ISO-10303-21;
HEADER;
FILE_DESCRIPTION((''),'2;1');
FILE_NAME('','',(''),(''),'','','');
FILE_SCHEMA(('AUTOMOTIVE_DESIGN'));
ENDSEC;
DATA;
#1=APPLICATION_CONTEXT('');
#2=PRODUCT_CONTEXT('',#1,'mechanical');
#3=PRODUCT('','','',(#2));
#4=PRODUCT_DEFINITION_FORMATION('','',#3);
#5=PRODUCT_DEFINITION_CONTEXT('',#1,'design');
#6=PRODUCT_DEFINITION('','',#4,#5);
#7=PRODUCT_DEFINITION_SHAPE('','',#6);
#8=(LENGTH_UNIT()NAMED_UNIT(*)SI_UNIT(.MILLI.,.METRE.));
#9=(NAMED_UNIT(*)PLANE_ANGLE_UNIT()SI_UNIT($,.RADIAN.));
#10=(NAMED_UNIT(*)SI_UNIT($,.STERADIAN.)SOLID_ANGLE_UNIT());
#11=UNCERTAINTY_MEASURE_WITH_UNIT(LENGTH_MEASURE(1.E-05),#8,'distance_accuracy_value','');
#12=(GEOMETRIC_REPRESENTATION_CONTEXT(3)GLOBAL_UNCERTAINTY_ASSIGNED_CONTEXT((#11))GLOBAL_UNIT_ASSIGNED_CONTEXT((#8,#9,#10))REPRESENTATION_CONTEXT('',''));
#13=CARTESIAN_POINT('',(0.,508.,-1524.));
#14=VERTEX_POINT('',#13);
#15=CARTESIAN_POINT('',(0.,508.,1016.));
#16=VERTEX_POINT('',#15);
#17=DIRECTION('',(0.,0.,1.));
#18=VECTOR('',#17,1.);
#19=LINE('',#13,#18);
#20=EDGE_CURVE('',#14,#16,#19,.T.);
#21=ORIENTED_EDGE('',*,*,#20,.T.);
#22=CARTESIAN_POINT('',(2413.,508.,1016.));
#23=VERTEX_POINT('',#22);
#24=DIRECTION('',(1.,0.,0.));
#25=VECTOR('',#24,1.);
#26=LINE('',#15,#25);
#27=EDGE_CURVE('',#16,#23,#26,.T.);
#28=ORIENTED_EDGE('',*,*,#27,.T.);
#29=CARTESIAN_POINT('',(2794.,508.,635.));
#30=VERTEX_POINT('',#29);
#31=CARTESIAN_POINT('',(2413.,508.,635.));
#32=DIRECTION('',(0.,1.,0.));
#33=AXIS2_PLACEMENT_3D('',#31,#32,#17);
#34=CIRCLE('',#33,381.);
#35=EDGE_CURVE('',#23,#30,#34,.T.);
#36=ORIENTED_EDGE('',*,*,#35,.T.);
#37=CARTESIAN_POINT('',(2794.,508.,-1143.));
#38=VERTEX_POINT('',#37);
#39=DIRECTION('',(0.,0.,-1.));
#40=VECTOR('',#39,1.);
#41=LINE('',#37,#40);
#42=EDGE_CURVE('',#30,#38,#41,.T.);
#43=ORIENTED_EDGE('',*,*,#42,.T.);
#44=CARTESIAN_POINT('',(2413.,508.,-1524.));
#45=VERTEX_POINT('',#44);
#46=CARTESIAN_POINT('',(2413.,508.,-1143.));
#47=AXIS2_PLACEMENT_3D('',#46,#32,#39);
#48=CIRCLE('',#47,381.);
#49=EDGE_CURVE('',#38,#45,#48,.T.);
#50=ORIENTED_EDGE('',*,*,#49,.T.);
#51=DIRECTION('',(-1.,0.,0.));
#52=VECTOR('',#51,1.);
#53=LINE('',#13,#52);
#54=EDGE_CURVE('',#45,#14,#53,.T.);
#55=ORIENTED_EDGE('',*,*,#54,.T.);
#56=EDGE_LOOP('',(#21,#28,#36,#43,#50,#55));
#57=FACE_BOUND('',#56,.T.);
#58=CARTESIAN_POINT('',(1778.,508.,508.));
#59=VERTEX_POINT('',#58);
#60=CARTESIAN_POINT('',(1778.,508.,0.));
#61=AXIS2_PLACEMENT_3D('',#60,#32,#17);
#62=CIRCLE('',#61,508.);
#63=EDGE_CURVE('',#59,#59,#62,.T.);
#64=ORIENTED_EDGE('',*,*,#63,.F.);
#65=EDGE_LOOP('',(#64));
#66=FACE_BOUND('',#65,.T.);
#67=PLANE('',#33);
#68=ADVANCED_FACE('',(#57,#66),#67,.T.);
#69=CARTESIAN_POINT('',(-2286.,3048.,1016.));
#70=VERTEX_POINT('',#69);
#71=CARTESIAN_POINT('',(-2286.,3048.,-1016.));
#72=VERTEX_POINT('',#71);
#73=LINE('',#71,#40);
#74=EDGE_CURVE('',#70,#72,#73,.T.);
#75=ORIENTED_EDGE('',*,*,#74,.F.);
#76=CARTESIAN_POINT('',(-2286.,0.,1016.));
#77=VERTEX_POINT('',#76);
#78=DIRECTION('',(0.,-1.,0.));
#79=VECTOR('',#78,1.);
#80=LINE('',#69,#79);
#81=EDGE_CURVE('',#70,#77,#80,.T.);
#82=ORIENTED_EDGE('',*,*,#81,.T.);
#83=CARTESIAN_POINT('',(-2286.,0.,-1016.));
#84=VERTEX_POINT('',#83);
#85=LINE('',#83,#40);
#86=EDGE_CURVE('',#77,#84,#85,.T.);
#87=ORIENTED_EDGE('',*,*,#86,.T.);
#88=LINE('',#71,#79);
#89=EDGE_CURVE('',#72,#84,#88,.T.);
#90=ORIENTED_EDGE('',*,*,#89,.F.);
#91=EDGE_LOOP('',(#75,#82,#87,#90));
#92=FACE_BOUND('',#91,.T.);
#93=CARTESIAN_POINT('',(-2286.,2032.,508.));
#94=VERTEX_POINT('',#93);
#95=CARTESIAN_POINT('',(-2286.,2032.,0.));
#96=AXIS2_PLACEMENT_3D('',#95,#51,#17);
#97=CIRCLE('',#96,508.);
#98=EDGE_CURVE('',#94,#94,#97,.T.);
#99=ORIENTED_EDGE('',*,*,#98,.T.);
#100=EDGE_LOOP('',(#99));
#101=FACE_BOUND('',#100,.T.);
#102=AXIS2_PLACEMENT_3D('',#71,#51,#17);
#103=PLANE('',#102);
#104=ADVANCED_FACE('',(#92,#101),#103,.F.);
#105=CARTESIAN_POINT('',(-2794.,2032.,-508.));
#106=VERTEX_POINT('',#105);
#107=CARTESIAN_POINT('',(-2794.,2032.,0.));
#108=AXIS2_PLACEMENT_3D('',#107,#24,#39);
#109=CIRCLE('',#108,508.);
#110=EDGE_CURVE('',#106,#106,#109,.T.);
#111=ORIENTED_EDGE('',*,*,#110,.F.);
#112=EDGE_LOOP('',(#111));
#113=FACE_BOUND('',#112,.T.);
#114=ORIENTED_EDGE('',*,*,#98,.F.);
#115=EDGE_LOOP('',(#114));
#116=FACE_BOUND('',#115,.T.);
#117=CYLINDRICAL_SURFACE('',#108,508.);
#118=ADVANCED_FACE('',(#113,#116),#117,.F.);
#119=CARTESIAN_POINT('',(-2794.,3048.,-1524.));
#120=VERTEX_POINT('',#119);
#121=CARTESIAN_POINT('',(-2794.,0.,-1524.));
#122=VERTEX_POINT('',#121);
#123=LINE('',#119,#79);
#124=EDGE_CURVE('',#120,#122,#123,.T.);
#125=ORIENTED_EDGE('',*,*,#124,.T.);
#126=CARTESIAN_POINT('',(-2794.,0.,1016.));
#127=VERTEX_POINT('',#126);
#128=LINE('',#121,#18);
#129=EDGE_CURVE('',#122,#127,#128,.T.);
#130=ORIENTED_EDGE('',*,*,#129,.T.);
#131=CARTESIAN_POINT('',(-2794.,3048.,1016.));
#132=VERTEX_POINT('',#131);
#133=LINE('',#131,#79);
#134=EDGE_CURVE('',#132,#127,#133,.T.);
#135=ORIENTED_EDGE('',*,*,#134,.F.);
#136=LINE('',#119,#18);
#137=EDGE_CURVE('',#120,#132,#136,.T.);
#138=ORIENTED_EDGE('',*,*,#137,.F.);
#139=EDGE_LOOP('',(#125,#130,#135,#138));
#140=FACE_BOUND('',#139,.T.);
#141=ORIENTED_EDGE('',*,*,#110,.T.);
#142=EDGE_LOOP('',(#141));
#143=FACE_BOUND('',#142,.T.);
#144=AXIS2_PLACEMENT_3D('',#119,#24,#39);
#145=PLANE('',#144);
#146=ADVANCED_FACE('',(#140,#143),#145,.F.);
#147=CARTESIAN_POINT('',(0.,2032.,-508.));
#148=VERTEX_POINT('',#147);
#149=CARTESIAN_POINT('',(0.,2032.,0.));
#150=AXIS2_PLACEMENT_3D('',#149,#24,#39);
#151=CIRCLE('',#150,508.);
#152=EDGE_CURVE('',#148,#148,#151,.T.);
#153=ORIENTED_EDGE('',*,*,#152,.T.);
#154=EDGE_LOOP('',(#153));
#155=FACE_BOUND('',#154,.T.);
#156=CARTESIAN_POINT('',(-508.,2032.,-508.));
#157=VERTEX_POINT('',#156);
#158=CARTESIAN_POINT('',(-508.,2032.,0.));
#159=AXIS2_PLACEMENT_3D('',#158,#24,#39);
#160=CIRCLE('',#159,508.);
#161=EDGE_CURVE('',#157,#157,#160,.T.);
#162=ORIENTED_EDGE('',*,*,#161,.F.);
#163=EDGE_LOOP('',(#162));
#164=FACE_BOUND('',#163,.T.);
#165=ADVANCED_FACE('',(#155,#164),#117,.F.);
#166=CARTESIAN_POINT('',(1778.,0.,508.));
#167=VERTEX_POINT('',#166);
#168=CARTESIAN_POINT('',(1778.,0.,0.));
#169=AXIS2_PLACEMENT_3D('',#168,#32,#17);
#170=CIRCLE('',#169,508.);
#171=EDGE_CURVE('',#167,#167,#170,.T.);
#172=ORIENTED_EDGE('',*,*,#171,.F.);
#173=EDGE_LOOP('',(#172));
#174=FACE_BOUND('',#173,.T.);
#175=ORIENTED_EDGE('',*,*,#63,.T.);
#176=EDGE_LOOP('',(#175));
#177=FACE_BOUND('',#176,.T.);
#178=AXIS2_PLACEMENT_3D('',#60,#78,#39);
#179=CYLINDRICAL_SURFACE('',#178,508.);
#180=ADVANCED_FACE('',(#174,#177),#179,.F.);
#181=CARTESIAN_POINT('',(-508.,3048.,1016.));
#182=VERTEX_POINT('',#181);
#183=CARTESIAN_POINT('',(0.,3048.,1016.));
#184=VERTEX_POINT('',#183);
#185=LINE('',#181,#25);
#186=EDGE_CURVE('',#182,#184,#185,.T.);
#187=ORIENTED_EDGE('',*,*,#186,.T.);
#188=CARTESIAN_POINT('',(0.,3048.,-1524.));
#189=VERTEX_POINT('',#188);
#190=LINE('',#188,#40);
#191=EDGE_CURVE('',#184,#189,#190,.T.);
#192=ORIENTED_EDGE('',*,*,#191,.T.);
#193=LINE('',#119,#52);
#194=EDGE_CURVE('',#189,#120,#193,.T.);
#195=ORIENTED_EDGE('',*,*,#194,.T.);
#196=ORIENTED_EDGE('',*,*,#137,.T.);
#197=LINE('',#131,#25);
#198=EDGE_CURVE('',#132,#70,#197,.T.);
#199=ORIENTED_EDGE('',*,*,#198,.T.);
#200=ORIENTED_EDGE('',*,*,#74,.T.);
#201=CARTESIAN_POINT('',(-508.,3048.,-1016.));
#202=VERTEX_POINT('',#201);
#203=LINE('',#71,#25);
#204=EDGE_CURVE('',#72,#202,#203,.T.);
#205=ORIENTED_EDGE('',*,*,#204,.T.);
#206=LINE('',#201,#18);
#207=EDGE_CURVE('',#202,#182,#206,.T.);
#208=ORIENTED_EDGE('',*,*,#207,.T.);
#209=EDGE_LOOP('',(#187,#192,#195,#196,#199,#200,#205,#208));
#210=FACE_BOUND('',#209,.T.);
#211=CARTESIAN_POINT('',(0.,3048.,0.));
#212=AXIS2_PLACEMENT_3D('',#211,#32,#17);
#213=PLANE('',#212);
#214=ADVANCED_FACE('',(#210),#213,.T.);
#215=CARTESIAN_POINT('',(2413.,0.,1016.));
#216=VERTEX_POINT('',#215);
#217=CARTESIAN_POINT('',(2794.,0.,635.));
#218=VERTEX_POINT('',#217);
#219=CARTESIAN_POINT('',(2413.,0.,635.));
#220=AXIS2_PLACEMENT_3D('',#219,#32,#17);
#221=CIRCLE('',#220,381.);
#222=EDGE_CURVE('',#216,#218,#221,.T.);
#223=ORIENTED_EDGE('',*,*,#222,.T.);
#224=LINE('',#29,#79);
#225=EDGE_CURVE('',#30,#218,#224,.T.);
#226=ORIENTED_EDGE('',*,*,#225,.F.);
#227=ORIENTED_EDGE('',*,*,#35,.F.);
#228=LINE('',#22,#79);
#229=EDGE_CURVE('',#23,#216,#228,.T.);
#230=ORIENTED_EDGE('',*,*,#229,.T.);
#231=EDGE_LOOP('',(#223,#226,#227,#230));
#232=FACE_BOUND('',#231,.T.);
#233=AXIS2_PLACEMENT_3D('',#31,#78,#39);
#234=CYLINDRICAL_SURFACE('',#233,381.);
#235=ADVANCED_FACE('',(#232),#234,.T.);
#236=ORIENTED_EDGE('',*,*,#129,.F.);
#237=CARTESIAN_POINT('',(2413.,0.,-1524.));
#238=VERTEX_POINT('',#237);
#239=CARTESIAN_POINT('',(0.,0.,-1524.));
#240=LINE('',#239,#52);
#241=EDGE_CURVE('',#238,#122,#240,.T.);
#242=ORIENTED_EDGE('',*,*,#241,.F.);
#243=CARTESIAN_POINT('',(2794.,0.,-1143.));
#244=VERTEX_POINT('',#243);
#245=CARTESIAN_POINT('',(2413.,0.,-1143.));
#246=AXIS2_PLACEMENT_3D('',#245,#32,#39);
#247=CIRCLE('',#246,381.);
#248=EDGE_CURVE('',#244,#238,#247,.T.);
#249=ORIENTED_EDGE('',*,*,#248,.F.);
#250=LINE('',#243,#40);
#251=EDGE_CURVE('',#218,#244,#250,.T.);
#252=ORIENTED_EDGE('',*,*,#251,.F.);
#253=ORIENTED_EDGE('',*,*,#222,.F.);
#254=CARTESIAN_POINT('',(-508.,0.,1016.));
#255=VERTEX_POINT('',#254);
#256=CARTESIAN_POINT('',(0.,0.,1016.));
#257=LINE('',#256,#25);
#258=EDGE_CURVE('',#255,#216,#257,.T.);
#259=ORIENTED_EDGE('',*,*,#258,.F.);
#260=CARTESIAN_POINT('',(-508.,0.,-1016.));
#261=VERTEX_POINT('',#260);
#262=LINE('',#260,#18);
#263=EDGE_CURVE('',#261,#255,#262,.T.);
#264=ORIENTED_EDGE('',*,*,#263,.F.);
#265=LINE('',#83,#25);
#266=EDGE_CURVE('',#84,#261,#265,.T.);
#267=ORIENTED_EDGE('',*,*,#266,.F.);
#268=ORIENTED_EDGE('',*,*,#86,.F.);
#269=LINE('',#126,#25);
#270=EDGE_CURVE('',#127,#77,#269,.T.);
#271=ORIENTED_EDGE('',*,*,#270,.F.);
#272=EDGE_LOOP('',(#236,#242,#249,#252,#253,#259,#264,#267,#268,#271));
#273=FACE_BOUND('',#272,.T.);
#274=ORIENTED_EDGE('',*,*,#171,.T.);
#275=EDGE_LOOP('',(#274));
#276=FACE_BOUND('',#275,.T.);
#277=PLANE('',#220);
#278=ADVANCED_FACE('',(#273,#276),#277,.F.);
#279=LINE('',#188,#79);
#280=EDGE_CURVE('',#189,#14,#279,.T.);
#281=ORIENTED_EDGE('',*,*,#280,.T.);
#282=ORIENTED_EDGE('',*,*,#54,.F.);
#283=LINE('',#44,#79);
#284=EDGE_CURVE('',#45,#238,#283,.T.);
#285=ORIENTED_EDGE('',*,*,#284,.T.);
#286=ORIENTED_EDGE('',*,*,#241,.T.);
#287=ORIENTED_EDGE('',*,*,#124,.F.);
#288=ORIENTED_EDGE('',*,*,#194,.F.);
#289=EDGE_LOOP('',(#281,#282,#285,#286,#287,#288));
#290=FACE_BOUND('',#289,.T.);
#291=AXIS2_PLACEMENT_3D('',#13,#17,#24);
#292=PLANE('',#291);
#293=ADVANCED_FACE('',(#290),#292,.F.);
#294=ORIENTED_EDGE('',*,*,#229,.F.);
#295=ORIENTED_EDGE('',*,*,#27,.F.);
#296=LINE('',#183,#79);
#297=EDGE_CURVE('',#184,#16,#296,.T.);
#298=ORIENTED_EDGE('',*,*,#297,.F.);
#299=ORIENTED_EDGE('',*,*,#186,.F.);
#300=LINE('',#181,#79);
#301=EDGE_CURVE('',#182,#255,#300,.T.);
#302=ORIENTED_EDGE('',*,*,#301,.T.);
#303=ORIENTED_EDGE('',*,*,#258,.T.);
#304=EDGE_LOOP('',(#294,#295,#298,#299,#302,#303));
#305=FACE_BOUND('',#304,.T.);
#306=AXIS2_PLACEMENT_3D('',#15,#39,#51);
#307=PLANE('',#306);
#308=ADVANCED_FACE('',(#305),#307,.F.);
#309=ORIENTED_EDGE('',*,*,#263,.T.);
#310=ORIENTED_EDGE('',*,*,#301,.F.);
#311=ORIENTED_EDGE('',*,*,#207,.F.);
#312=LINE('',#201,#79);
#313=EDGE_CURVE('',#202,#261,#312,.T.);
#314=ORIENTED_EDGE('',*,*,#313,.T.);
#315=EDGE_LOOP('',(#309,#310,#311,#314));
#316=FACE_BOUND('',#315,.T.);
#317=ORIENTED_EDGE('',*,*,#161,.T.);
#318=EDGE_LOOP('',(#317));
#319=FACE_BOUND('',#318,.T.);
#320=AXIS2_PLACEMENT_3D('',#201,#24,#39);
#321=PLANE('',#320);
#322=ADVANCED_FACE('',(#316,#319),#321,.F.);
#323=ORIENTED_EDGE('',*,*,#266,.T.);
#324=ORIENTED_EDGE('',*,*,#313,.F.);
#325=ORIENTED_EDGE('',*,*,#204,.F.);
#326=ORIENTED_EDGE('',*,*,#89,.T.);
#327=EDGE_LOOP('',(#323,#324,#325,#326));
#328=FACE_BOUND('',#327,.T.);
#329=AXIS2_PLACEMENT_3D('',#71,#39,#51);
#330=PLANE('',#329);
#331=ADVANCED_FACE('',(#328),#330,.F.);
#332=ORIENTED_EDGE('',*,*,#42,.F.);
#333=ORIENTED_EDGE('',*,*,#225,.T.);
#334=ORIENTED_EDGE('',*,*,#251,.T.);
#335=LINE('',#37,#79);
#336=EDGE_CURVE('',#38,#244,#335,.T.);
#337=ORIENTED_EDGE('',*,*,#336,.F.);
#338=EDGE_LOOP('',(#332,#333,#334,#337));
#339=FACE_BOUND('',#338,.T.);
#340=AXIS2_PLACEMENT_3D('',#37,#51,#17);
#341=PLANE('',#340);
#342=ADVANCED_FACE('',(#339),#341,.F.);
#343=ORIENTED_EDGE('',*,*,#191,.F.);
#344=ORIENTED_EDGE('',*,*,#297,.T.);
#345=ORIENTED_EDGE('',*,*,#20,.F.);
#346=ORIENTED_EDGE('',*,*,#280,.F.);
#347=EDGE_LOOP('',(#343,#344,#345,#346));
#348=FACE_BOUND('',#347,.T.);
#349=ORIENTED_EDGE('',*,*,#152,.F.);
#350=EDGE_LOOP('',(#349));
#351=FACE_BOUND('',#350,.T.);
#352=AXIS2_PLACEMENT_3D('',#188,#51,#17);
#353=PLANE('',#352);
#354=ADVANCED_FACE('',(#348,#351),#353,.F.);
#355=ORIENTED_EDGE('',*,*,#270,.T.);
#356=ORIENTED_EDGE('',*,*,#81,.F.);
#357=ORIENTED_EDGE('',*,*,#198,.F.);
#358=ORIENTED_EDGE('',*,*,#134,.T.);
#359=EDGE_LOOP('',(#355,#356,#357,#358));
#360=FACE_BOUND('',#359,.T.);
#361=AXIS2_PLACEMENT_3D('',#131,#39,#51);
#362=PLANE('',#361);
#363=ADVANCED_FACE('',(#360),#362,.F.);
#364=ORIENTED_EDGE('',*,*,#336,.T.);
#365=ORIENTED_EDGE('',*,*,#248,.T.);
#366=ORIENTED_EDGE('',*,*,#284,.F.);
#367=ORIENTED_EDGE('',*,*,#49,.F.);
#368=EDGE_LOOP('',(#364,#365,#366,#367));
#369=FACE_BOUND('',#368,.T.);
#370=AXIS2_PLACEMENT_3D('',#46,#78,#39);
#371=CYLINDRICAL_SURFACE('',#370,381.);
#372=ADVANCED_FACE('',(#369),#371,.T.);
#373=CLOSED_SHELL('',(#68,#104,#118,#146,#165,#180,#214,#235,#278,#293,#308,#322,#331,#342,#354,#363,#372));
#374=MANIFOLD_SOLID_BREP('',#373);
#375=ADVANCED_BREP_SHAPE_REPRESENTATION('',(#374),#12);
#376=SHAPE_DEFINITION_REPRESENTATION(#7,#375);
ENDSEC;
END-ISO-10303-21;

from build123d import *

# Parameters (mm, degrees)
EXTRUDE_1_DEPTH          = 508
CUT_EXTRUDE_1_DEPTH      = 3223.898695274
CUT_EXTRUDE_1_DEPTH_BACK = 3223.898695274
SKETCH_4_R               = 508
EXTRUDE_2_DEPTH          = 3048
CUT_EXTRUDE_2_DEPTH      = 4407.735299516
CUT_EXTRUDE_2_DEPTH_BACK = 4407.735299516
SKETCH_5_R               = 508


with BuildPart() as part:
    # 草图3 → 凸台-拉伸1 (new body)
    with BuildSketch(Plane(origin=(0, 0, 0), x_dir=(1, 0, 0), z_dir=(0, 1, 0))):
        with BuildLine():
            Line((0, 1524), (0, -1016))
            Line((0, -1016), (2413, -1016))
            ThreePointArc((2413, -1016), (2682.407683632, -904.407683632), (2794, -635))
            Line((2794, -635), (2794, 1143))
            ThreePointArc((2794, 1143), (2682.407683632, 1412.407683632), (2413, 1524))
            Line((2413, 1524), (0, 1524))
        make_face()
    extrude(amount=EXTRUDE_1_DEPTH)

    # 草图4 → 切除-拉伸1 (cut, two sides: drawn at the far end of the back side and taken through both)
    with BuildSketch(Plane(origin=(0, 0, 0), x_dir=(1, 0, 0), z_dir=(0, 1, 0)).offset(-CUT_EXTRUDE_1_DEPTH_BACK)):
        with Locations(Location((1778, 0, 0), (0, 0, 270))):
            Circle(SKETCH_4_R)
    extrude(amount=CUT_EXTRUDE_1_DEPTH + CUT_EXTRUDE_1_DEPTH_BACK, mode=Mode.SUBTRACT)

    # 草图1 → 凸台-拉伸2 (add)
    with BuildSketch(Plane(origin=(0, 0, 0), x_dir=(1, 0, 0), z_dir=(0, 1, 0))):
        Polygon((-508, -1016), (0, -1016), (0, 1524), (-2794, 1524), (-2794, -1016), (-2286, -1016), (-2286, 1016), (-508, 1016), align=None)
    extrude(amount=EXTRUDE_2_DEPTH)

    # 草图5 → 切除-拉伸2 (cut, two sides: drawn at the far end of the back side and taken through both)
    with BuildSketch(Plane(origin=(0, 0, 0), x_dir=(0, 0, -1), z_dir=(1, 0, 0)).offset(-CUT_EXTRUDE_2_DEPTH_BACK)):
        with Locations((0, 2032)):
            Circle(SKETCH_5_R)
    extrude(amount=CUT_EXTRUDE_2_DEPTH + CUT_EXTRUDE_2_DEPTH_BACK, mode=Mode.SUBTRACT)


solid = part.part
